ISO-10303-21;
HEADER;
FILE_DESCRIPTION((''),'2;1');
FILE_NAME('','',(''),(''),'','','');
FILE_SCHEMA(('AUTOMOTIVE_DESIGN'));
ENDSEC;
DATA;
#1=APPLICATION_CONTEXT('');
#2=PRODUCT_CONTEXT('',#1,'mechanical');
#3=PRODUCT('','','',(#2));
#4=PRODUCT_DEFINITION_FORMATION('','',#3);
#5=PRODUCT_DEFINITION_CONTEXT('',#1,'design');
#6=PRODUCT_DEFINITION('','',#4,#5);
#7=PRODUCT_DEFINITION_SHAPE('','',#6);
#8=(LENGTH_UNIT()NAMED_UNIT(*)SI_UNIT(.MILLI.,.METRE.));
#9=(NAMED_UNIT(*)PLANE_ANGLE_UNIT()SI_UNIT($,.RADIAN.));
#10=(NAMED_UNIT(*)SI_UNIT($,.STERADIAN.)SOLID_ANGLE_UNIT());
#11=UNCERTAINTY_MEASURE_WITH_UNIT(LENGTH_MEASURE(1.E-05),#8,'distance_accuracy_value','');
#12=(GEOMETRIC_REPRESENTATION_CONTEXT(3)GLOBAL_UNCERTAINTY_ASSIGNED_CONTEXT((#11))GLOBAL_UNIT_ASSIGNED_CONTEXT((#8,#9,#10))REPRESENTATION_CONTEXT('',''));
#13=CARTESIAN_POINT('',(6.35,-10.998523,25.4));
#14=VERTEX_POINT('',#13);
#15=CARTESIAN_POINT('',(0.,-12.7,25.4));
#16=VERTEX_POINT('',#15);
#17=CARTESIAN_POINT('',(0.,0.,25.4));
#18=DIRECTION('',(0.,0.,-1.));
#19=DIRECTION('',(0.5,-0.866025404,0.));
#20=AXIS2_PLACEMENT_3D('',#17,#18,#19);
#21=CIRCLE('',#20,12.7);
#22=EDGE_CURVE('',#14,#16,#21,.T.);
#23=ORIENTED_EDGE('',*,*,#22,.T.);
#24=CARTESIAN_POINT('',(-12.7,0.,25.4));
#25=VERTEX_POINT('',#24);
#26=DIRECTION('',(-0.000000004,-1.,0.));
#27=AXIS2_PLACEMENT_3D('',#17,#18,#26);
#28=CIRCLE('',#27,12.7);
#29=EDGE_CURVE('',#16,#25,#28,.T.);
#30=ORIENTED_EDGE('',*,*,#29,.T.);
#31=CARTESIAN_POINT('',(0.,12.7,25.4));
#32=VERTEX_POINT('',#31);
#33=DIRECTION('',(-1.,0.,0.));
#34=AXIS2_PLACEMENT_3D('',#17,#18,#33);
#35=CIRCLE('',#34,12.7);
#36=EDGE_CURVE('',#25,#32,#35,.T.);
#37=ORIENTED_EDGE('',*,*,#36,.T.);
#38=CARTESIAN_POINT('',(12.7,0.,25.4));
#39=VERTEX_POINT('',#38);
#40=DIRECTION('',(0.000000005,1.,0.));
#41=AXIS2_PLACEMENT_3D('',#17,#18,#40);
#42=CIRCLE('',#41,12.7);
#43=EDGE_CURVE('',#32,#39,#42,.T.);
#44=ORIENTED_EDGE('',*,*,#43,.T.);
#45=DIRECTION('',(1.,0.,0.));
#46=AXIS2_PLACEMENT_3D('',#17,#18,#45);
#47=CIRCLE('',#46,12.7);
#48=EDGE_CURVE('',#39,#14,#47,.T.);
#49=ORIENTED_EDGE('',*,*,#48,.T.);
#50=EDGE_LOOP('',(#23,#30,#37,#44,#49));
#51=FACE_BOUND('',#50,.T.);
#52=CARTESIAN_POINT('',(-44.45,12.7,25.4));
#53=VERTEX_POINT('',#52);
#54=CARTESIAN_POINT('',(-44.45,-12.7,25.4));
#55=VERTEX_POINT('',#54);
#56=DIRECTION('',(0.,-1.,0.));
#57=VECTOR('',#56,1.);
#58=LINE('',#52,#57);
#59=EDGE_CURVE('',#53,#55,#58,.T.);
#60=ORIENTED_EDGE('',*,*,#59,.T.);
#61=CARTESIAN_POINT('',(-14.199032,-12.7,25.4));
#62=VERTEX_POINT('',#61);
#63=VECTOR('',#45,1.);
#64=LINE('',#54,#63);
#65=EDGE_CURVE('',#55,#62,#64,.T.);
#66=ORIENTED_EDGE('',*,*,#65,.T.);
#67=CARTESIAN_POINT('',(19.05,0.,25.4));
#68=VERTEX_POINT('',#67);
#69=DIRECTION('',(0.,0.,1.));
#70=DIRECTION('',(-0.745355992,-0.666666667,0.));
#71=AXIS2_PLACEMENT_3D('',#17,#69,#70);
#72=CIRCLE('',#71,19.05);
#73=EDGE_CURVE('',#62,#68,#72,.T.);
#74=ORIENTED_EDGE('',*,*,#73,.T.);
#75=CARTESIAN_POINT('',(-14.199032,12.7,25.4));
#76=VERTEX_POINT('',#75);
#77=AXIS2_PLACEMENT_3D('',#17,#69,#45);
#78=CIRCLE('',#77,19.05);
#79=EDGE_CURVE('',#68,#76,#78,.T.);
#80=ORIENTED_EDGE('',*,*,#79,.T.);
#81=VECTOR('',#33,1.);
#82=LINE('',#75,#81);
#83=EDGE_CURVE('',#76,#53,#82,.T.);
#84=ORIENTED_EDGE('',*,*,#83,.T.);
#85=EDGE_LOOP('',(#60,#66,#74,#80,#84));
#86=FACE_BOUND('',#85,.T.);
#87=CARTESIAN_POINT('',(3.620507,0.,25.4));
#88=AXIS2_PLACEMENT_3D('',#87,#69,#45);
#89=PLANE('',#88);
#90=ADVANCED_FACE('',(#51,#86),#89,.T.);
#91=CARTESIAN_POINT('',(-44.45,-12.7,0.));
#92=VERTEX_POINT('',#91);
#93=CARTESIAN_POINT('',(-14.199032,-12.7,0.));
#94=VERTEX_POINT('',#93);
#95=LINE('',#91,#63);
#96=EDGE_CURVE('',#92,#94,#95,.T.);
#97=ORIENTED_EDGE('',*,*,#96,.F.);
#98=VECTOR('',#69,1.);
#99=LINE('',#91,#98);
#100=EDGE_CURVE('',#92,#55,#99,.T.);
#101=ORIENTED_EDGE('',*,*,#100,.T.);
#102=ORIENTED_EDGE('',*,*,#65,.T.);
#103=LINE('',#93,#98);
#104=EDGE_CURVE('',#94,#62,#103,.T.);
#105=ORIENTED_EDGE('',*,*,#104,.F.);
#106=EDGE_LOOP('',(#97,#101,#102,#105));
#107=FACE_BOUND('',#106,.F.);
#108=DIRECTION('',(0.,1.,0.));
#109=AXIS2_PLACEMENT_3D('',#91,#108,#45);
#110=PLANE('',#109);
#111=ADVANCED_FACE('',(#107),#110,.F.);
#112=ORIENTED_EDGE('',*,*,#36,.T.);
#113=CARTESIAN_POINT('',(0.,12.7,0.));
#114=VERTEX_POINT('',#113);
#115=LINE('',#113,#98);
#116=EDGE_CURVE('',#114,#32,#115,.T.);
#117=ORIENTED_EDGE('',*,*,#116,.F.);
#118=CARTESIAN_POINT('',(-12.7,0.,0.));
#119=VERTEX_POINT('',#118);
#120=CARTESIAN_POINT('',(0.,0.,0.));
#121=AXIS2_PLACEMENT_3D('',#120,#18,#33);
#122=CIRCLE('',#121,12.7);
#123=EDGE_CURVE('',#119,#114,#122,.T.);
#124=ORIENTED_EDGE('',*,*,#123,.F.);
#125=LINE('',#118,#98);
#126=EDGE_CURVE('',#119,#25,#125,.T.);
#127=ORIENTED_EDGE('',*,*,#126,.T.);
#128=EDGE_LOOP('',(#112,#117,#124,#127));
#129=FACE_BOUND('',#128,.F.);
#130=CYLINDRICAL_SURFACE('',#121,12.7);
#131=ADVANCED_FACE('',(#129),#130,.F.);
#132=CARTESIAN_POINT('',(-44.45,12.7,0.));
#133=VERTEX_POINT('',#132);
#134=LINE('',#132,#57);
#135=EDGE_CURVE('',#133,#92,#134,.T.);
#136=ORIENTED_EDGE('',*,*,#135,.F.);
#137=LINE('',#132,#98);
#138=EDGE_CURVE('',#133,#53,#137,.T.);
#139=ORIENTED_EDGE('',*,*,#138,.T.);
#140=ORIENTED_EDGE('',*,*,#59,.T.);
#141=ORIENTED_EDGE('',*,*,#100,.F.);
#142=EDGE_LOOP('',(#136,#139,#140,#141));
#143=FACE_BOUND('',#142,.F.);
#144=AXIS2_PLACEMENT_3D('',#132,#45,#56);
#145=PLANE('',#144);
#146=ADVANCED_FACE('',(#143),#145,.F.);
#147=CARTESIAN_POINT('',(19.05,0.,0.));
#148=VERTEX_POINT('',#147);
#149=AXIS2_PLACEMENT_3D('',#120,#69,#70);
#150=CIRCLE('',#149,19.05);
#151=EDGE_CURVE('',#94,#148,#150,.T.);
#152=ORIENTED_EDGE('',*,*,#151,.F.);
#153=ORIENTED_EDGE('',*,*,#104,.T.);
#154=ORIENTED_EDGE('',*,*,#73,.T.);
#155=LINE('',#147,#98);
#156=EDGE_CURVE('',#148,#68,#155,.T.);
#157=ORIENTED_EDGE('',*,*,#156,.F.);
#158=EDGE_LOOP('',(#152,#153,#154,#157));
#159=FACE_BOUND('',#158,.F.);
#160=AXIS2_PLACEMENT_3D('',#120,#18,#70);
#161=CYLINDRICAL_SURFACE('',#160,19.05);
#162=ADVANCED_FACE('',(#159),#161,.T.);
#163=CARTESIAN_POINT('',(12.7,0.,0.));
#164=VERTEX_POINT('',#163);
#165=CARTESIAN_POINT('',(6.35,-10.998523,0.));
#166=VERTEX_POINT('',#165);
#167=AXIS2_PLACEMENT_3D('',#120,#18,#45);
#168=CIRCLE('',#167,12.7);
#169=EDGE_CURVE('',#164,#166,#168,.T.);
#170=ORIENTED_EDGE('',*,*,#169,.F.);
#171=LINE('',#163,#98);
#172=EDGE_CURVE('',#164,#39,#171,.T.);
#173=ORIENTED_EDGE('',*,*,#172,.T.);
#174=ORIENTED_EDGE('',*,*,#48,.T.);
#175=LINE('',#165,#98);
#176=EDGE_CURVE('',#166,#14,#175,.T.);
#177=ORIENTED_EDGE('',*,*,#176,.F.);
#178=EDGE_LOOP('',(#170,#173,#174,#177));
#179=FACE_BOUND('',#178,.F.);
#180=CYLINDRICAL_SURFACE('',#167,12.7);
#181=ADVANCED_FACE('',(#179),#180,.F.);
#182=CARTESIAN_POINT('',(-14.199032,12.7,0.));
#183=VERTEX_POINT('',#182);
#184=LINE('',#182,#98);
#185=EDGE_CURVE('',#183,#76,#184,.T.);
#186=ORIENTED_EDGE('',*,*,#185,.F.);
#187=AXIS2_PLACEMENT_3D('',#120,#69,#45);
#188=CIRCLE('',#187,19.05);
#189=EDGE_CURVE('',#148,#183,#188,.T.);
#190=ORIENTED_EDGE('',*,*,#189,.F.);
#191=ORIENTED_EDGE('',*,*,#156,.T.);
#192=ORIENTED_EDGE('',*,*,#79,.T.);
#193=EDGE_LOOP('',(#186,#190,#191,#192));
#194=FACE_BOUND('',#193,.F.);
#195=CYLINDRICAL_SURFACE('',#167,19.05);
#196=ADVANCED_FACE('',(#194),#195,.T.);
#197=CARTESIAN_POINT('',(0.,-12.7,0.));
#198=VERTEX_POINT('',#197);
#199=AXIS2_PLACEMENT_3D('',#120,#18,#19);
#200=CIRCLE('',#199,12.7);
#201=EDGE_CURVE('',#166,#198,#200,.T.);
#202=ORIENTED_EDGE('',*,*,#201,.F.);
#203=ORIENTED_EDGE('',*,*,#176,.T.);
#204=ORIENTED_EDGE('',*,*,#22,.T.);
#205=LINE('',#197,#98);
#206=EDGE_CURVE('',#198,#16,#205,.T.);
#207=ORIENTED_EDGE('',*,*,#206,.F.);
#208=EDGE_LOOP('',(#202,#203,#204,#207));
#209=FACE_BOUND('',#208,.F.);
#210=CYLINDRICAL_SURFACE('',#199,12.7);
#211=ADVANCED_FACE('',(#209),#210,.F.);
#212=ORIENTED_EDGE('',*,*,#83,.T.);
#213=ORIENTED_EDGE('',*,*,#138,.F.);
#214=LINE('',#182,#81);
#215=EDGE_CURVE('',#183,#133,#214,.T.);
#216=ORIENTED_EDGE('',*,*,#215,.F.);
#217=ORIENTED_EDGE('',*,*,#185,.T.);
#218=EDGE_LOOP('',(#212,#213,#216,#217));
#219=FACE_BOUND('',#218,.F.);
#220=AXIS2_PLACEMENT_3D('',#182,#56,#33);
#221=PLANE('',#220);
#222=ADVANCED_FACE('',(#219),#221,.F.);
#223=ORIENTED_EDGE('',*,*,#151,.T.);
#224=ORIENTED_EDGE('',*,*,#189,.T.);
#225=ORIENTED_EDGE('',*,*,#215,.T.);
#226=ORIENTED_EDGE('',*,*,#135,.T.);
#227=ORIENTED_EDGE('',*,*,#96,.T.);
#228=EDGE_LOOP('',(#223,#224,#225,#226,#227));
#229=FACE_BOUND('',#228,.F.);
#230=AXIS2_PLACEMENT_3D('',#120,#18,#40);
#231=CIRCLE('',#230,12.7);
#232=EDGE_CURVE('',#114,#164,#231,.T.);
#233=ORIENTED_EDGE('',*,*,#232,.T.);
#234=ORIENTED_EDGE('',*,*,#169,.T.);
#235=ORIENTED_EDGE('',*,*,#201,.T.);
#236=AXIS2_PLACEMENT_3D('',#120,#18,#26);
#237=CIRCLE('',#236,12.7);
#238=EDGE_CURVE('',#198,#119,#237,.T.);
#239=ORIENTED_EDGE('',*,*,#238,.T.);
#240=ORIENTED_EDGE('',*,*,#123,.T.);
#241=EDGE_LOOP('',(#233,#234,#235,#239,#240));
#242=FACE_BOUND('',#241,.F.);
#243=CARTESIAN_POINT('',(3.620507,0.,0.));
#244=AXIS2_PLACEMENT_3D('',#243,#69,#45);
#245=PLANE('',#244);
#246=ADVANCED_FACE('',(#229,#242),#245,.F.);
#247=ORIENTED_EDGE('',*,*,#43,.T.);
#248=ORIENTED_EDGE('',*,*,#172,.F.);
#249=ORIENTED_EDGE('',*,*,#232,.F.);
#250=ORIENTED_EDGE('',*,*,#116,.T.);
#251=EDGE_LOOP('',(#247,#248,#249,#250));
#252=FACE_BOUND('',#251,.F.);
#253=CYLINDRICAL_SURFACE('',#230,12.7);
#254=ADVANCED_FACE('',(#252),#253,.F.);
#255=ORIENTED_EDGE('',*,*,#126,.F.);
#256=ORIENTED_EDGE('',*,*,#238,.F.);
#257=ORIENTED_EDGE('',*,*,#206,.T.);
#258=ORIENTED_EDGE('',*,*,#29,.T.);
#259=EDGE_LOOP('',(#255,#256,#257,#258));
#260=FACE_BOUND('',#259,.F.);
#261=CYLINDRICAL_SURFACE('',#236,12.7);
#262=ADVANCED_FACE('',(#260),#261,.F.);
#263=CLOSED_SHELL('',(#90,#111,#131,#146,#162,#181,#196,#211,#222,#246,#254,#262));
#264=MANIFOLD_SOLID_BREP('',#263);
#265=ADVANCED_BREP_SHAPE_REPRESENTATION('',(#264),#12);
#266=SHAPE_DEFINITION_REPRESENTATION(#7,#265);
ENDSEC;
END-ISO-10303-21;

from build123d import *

# Parameters (mm, degrees)
F1_DEPTH = 25.4


with BuildPart() as f1:
    # F0 (on Top) → F1 (new body)
    with BuildSketch(Plane.XY):
        with BuildLine():
            ThreePointArc((6.35, 10.9985226281), (10.9985226281, 6.35), (12.7, 0))
            ThreePointArc((12.7, 0), (10.9985226281, -6.35), (6.35, -10.9985226281))
            Line((6.35, -10.9985226281), (6.35, -12.7))
            Line((6.35, -12.7), (-4.93e-08, -12.7))
            Line((-4.93e-08, -12.7), (-14.1990316571, -12.7))
            ThreePointArc((-14.1990316571, -12.7), (6.7974608102, -17.7959834382), (19.05, 0))
            ThreePointArc((19.05, 0), (6.7974608102, 17.7959834382), (-14.1990316571, 12.7))
            Line((-14.1990316571, 12.7), (6.56e-08, 12.7))
            Line((6.56e-08, 12.7), (6.35, 12.7))
            Line((6.35, 12.7), (6.35, 10.9985226281))
        make_face()
        with BuildLine():
            ThreePointArc((6.56e-08, 12.7), (3.2870019045, 12.2672579854), (6.35, 10.9985226281))
            Line((6.35, 10.9985226281), (6.35, 12.7))
            Line((6.35, 12.7), (6.56e-08, 12.7))
        make_face()
        with BuildLine():
            Line((6.35, -12.7), (6.35, -10.9985226281))
            ThreePointArc((6.35, -10.9985226281), (3.287001849, -12.2672580003), (-4.93e-08, -12.7))
            Line((-4.93e-08, -12.7), (6.35, -12.7))
        make_face()
        with BuildLine():
            ThreePointArc((-12.7, 0), (-8.9802560979, 8.9802561443), (6.56e-08, 12.7))
            Line((6.56e-08, 12.7), (-14.1990316571, 12.7))
            ThreePointArc((-14.1990316571, 12.7), (-17.7959834382, 6.7974608102), (-19.05, 0))
            Line((-19.05, 0), (-12.7, 0))
        make_face()
        with BuildLine():
            ThreePointArc((-19.05, 0), (-17.7959834382, 6.7974608102), (-14.1990316571, 12.7))
            Line((-14.1990316571, 12.7), (-44.45, 12.7))
            Line((-44.45, 12.7), (-44.45, -12.7))
            Line((-44.45, -12.7), (-14.1990316571, -12.7))
            ThreePointArc((-14.1990316571, -12.7), (-17.7959834382, -6.7974608102), (-19.05, 0))
        make_face()
        with BuildLine():
            Line((-14.1990316571, -12.7), (-4.93e-08, -12.7))
            ThreePointArc((-4.93e-08, -12.7), (-8.9802561385, -8.9802561036), (-12.7, 0))
            Line((-12.7, 0), (-19.05, 0))
            ThreePointArc((-19.05, 0), (-17.7959834382, -6.7974608102), (-14.1990316571, -12.7))
        make_face()
    extrude(amount=F1_DEPTH)


solid = f1.part
